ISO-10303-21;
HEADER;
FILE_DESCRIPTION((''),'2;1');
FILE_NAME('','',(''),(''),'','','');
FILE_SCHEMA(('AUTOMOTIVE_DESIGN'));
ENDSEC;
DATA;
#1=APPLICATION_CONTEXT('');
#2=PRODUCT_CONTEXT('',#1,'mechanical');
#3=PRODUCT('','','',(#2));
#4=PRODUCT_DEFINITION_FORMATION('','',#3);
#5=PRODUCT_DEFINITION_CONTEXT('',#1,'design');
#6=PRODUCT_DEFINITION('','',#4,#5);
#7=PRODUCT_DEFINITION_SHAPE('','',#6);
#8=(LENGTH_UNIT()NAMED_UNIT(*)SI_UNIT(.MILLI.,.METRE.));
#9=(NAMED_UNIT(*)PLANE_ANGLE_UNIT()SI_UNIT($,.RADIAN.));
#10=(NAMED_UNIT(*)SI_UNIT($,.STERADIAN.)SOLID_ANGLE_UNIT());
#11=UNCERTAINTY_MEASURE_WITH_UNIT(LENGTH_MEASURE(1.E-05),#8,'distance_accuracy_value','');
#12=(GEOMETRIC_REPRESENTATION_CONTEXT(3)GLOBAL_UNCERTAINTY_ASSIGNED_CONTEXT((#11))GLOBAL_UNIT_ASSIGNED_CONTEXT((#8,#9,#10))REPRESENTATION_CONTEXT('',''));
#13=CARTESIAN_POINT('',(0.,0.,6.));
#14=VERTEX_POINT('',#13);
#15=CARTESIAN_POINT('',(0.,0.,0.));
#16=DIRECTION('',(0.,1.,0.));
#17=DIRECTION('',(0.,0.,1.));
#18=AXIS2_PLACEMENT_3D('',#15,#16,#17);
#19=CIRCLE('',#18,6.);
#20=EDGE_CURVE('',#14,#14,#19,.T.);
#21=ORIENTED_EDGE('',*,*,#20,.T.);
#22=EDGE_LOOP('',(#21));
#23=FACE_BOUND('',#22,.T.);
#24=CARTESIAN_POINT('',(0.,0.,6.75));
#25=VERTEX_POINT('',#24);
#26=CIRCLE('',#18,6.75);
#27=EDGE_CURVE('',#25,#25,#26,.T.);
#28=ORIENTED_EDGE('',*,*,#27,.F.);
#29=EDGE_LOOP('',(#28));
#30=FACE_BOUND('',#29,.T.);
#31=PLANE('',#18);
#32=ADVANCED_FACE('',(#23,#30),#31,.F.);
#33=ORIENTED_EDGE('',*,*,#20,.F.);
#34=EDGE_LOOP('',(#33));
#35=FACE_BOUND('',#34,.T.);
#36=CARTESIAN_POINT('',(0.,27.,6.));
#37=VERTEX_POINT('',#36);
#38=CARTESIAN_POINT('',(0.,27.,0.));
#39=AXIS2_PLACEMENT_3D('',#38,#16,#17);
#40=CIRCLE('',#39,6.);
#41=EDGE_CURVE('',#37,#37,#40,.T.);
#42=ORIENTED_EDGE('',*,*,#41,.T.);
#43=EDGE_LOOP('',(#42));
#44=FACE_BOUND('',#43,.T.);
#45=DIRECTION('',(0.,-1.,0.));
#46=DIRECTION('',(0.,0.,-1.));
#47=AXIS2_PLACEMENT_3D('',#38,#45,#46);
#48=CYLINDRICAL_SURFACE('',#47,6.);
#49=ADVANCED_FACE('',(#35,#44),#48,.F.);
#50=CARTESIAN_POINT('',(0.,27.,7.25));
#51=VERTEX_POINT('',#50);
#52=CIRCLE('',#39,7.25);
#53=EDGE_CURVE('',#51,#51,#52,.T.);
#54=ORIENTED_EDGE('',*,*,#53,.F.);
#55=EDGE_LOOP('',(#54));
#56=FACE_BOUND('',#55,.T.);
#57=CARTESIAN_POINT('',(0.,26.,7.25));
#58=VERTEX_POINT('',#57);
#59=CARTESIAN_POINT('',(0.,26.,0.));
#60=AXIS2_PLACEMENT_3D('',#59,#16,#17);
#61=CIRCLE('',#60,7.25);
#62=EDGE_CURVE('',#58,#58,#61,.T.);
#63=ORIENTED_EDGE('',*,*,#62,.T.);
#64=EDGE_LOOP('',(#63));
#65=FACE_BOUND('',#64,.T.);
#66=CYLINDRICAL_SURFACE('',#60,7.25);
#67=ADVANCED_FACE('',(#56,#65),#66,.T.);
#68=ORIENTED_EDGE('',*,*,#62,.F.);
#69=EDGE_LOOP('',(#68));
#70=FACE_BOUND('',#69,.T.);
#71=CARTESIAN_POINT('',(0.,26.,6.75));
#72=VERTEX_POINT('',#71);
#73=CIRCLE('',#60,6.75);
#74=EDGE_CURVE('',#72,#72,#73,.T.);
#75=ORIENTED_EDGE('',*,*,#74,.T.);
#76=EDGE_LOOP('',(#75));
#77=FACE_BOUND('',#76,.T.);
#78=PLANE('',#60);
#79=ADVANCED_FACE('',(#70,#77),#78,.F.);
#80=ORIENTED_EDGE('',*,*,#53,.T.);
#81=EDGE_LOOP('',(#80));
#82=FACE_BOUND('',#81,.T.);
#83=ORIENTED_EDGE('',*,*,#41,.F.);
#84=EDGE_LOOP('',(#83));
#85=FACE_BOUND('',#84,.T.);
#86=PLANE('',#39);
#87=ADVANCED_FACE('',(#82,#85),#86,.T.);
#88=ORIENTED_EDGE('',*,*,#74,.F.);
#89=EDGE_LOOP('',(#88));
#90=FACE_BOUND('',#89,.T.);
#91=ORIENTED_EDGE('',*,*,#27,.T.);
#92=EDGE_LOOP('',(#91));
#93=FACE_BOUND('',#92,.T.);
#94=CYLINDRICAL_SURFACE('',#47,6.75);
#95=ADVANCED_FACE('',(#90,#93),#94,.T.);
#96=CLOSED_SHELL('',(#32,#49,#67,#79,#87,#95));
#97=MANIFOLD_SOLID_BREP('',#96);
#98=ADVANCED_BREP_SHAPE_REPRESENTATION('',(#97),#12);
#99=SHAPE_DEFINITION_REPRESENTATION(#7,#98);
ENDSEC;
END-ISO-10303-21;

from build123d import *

# Parameters (mm, degrees)
SKETCH1_R           = 6.75
SKETCH1_R_2         = 6
BOSS_EXTRUDE1_DEPTH = 27
SKETCH2_R           = 7.25
SKETCH2_R_2         = 6.75
BOSS_EXTRUDE2_DEPTH = 1


with BuildPart() as part:
    # Sketch1 → Boss-Extrude1 (new body)
    with BuildSketch(Plane(origin=(0, 0, 0), x_dir=(1, 0, 0), z_dir=(0, 1, 0))):
        Circle(SKETCH1_R)
        Circle(SKETCH1_R_2, mode=Mode.SUBTRACT)
    extrude(amount=BOSS_EXTRUDE1_DEPTH)

    # Sketch2 → Boss-Extrude2 (add)
    with BuildSketch(Plane(origin=(0, 27, 0), x_dir=(1, 0, 0), z_dir=(0, 1, 0))):
        Circle(SKETCH2_R)
        Circle(SKETCH2_R_2, mode=Mode.SUBTRACT)
    extrude(amount=-BOSS_EXTRUDE2_DEPTH)


solid = part.part
